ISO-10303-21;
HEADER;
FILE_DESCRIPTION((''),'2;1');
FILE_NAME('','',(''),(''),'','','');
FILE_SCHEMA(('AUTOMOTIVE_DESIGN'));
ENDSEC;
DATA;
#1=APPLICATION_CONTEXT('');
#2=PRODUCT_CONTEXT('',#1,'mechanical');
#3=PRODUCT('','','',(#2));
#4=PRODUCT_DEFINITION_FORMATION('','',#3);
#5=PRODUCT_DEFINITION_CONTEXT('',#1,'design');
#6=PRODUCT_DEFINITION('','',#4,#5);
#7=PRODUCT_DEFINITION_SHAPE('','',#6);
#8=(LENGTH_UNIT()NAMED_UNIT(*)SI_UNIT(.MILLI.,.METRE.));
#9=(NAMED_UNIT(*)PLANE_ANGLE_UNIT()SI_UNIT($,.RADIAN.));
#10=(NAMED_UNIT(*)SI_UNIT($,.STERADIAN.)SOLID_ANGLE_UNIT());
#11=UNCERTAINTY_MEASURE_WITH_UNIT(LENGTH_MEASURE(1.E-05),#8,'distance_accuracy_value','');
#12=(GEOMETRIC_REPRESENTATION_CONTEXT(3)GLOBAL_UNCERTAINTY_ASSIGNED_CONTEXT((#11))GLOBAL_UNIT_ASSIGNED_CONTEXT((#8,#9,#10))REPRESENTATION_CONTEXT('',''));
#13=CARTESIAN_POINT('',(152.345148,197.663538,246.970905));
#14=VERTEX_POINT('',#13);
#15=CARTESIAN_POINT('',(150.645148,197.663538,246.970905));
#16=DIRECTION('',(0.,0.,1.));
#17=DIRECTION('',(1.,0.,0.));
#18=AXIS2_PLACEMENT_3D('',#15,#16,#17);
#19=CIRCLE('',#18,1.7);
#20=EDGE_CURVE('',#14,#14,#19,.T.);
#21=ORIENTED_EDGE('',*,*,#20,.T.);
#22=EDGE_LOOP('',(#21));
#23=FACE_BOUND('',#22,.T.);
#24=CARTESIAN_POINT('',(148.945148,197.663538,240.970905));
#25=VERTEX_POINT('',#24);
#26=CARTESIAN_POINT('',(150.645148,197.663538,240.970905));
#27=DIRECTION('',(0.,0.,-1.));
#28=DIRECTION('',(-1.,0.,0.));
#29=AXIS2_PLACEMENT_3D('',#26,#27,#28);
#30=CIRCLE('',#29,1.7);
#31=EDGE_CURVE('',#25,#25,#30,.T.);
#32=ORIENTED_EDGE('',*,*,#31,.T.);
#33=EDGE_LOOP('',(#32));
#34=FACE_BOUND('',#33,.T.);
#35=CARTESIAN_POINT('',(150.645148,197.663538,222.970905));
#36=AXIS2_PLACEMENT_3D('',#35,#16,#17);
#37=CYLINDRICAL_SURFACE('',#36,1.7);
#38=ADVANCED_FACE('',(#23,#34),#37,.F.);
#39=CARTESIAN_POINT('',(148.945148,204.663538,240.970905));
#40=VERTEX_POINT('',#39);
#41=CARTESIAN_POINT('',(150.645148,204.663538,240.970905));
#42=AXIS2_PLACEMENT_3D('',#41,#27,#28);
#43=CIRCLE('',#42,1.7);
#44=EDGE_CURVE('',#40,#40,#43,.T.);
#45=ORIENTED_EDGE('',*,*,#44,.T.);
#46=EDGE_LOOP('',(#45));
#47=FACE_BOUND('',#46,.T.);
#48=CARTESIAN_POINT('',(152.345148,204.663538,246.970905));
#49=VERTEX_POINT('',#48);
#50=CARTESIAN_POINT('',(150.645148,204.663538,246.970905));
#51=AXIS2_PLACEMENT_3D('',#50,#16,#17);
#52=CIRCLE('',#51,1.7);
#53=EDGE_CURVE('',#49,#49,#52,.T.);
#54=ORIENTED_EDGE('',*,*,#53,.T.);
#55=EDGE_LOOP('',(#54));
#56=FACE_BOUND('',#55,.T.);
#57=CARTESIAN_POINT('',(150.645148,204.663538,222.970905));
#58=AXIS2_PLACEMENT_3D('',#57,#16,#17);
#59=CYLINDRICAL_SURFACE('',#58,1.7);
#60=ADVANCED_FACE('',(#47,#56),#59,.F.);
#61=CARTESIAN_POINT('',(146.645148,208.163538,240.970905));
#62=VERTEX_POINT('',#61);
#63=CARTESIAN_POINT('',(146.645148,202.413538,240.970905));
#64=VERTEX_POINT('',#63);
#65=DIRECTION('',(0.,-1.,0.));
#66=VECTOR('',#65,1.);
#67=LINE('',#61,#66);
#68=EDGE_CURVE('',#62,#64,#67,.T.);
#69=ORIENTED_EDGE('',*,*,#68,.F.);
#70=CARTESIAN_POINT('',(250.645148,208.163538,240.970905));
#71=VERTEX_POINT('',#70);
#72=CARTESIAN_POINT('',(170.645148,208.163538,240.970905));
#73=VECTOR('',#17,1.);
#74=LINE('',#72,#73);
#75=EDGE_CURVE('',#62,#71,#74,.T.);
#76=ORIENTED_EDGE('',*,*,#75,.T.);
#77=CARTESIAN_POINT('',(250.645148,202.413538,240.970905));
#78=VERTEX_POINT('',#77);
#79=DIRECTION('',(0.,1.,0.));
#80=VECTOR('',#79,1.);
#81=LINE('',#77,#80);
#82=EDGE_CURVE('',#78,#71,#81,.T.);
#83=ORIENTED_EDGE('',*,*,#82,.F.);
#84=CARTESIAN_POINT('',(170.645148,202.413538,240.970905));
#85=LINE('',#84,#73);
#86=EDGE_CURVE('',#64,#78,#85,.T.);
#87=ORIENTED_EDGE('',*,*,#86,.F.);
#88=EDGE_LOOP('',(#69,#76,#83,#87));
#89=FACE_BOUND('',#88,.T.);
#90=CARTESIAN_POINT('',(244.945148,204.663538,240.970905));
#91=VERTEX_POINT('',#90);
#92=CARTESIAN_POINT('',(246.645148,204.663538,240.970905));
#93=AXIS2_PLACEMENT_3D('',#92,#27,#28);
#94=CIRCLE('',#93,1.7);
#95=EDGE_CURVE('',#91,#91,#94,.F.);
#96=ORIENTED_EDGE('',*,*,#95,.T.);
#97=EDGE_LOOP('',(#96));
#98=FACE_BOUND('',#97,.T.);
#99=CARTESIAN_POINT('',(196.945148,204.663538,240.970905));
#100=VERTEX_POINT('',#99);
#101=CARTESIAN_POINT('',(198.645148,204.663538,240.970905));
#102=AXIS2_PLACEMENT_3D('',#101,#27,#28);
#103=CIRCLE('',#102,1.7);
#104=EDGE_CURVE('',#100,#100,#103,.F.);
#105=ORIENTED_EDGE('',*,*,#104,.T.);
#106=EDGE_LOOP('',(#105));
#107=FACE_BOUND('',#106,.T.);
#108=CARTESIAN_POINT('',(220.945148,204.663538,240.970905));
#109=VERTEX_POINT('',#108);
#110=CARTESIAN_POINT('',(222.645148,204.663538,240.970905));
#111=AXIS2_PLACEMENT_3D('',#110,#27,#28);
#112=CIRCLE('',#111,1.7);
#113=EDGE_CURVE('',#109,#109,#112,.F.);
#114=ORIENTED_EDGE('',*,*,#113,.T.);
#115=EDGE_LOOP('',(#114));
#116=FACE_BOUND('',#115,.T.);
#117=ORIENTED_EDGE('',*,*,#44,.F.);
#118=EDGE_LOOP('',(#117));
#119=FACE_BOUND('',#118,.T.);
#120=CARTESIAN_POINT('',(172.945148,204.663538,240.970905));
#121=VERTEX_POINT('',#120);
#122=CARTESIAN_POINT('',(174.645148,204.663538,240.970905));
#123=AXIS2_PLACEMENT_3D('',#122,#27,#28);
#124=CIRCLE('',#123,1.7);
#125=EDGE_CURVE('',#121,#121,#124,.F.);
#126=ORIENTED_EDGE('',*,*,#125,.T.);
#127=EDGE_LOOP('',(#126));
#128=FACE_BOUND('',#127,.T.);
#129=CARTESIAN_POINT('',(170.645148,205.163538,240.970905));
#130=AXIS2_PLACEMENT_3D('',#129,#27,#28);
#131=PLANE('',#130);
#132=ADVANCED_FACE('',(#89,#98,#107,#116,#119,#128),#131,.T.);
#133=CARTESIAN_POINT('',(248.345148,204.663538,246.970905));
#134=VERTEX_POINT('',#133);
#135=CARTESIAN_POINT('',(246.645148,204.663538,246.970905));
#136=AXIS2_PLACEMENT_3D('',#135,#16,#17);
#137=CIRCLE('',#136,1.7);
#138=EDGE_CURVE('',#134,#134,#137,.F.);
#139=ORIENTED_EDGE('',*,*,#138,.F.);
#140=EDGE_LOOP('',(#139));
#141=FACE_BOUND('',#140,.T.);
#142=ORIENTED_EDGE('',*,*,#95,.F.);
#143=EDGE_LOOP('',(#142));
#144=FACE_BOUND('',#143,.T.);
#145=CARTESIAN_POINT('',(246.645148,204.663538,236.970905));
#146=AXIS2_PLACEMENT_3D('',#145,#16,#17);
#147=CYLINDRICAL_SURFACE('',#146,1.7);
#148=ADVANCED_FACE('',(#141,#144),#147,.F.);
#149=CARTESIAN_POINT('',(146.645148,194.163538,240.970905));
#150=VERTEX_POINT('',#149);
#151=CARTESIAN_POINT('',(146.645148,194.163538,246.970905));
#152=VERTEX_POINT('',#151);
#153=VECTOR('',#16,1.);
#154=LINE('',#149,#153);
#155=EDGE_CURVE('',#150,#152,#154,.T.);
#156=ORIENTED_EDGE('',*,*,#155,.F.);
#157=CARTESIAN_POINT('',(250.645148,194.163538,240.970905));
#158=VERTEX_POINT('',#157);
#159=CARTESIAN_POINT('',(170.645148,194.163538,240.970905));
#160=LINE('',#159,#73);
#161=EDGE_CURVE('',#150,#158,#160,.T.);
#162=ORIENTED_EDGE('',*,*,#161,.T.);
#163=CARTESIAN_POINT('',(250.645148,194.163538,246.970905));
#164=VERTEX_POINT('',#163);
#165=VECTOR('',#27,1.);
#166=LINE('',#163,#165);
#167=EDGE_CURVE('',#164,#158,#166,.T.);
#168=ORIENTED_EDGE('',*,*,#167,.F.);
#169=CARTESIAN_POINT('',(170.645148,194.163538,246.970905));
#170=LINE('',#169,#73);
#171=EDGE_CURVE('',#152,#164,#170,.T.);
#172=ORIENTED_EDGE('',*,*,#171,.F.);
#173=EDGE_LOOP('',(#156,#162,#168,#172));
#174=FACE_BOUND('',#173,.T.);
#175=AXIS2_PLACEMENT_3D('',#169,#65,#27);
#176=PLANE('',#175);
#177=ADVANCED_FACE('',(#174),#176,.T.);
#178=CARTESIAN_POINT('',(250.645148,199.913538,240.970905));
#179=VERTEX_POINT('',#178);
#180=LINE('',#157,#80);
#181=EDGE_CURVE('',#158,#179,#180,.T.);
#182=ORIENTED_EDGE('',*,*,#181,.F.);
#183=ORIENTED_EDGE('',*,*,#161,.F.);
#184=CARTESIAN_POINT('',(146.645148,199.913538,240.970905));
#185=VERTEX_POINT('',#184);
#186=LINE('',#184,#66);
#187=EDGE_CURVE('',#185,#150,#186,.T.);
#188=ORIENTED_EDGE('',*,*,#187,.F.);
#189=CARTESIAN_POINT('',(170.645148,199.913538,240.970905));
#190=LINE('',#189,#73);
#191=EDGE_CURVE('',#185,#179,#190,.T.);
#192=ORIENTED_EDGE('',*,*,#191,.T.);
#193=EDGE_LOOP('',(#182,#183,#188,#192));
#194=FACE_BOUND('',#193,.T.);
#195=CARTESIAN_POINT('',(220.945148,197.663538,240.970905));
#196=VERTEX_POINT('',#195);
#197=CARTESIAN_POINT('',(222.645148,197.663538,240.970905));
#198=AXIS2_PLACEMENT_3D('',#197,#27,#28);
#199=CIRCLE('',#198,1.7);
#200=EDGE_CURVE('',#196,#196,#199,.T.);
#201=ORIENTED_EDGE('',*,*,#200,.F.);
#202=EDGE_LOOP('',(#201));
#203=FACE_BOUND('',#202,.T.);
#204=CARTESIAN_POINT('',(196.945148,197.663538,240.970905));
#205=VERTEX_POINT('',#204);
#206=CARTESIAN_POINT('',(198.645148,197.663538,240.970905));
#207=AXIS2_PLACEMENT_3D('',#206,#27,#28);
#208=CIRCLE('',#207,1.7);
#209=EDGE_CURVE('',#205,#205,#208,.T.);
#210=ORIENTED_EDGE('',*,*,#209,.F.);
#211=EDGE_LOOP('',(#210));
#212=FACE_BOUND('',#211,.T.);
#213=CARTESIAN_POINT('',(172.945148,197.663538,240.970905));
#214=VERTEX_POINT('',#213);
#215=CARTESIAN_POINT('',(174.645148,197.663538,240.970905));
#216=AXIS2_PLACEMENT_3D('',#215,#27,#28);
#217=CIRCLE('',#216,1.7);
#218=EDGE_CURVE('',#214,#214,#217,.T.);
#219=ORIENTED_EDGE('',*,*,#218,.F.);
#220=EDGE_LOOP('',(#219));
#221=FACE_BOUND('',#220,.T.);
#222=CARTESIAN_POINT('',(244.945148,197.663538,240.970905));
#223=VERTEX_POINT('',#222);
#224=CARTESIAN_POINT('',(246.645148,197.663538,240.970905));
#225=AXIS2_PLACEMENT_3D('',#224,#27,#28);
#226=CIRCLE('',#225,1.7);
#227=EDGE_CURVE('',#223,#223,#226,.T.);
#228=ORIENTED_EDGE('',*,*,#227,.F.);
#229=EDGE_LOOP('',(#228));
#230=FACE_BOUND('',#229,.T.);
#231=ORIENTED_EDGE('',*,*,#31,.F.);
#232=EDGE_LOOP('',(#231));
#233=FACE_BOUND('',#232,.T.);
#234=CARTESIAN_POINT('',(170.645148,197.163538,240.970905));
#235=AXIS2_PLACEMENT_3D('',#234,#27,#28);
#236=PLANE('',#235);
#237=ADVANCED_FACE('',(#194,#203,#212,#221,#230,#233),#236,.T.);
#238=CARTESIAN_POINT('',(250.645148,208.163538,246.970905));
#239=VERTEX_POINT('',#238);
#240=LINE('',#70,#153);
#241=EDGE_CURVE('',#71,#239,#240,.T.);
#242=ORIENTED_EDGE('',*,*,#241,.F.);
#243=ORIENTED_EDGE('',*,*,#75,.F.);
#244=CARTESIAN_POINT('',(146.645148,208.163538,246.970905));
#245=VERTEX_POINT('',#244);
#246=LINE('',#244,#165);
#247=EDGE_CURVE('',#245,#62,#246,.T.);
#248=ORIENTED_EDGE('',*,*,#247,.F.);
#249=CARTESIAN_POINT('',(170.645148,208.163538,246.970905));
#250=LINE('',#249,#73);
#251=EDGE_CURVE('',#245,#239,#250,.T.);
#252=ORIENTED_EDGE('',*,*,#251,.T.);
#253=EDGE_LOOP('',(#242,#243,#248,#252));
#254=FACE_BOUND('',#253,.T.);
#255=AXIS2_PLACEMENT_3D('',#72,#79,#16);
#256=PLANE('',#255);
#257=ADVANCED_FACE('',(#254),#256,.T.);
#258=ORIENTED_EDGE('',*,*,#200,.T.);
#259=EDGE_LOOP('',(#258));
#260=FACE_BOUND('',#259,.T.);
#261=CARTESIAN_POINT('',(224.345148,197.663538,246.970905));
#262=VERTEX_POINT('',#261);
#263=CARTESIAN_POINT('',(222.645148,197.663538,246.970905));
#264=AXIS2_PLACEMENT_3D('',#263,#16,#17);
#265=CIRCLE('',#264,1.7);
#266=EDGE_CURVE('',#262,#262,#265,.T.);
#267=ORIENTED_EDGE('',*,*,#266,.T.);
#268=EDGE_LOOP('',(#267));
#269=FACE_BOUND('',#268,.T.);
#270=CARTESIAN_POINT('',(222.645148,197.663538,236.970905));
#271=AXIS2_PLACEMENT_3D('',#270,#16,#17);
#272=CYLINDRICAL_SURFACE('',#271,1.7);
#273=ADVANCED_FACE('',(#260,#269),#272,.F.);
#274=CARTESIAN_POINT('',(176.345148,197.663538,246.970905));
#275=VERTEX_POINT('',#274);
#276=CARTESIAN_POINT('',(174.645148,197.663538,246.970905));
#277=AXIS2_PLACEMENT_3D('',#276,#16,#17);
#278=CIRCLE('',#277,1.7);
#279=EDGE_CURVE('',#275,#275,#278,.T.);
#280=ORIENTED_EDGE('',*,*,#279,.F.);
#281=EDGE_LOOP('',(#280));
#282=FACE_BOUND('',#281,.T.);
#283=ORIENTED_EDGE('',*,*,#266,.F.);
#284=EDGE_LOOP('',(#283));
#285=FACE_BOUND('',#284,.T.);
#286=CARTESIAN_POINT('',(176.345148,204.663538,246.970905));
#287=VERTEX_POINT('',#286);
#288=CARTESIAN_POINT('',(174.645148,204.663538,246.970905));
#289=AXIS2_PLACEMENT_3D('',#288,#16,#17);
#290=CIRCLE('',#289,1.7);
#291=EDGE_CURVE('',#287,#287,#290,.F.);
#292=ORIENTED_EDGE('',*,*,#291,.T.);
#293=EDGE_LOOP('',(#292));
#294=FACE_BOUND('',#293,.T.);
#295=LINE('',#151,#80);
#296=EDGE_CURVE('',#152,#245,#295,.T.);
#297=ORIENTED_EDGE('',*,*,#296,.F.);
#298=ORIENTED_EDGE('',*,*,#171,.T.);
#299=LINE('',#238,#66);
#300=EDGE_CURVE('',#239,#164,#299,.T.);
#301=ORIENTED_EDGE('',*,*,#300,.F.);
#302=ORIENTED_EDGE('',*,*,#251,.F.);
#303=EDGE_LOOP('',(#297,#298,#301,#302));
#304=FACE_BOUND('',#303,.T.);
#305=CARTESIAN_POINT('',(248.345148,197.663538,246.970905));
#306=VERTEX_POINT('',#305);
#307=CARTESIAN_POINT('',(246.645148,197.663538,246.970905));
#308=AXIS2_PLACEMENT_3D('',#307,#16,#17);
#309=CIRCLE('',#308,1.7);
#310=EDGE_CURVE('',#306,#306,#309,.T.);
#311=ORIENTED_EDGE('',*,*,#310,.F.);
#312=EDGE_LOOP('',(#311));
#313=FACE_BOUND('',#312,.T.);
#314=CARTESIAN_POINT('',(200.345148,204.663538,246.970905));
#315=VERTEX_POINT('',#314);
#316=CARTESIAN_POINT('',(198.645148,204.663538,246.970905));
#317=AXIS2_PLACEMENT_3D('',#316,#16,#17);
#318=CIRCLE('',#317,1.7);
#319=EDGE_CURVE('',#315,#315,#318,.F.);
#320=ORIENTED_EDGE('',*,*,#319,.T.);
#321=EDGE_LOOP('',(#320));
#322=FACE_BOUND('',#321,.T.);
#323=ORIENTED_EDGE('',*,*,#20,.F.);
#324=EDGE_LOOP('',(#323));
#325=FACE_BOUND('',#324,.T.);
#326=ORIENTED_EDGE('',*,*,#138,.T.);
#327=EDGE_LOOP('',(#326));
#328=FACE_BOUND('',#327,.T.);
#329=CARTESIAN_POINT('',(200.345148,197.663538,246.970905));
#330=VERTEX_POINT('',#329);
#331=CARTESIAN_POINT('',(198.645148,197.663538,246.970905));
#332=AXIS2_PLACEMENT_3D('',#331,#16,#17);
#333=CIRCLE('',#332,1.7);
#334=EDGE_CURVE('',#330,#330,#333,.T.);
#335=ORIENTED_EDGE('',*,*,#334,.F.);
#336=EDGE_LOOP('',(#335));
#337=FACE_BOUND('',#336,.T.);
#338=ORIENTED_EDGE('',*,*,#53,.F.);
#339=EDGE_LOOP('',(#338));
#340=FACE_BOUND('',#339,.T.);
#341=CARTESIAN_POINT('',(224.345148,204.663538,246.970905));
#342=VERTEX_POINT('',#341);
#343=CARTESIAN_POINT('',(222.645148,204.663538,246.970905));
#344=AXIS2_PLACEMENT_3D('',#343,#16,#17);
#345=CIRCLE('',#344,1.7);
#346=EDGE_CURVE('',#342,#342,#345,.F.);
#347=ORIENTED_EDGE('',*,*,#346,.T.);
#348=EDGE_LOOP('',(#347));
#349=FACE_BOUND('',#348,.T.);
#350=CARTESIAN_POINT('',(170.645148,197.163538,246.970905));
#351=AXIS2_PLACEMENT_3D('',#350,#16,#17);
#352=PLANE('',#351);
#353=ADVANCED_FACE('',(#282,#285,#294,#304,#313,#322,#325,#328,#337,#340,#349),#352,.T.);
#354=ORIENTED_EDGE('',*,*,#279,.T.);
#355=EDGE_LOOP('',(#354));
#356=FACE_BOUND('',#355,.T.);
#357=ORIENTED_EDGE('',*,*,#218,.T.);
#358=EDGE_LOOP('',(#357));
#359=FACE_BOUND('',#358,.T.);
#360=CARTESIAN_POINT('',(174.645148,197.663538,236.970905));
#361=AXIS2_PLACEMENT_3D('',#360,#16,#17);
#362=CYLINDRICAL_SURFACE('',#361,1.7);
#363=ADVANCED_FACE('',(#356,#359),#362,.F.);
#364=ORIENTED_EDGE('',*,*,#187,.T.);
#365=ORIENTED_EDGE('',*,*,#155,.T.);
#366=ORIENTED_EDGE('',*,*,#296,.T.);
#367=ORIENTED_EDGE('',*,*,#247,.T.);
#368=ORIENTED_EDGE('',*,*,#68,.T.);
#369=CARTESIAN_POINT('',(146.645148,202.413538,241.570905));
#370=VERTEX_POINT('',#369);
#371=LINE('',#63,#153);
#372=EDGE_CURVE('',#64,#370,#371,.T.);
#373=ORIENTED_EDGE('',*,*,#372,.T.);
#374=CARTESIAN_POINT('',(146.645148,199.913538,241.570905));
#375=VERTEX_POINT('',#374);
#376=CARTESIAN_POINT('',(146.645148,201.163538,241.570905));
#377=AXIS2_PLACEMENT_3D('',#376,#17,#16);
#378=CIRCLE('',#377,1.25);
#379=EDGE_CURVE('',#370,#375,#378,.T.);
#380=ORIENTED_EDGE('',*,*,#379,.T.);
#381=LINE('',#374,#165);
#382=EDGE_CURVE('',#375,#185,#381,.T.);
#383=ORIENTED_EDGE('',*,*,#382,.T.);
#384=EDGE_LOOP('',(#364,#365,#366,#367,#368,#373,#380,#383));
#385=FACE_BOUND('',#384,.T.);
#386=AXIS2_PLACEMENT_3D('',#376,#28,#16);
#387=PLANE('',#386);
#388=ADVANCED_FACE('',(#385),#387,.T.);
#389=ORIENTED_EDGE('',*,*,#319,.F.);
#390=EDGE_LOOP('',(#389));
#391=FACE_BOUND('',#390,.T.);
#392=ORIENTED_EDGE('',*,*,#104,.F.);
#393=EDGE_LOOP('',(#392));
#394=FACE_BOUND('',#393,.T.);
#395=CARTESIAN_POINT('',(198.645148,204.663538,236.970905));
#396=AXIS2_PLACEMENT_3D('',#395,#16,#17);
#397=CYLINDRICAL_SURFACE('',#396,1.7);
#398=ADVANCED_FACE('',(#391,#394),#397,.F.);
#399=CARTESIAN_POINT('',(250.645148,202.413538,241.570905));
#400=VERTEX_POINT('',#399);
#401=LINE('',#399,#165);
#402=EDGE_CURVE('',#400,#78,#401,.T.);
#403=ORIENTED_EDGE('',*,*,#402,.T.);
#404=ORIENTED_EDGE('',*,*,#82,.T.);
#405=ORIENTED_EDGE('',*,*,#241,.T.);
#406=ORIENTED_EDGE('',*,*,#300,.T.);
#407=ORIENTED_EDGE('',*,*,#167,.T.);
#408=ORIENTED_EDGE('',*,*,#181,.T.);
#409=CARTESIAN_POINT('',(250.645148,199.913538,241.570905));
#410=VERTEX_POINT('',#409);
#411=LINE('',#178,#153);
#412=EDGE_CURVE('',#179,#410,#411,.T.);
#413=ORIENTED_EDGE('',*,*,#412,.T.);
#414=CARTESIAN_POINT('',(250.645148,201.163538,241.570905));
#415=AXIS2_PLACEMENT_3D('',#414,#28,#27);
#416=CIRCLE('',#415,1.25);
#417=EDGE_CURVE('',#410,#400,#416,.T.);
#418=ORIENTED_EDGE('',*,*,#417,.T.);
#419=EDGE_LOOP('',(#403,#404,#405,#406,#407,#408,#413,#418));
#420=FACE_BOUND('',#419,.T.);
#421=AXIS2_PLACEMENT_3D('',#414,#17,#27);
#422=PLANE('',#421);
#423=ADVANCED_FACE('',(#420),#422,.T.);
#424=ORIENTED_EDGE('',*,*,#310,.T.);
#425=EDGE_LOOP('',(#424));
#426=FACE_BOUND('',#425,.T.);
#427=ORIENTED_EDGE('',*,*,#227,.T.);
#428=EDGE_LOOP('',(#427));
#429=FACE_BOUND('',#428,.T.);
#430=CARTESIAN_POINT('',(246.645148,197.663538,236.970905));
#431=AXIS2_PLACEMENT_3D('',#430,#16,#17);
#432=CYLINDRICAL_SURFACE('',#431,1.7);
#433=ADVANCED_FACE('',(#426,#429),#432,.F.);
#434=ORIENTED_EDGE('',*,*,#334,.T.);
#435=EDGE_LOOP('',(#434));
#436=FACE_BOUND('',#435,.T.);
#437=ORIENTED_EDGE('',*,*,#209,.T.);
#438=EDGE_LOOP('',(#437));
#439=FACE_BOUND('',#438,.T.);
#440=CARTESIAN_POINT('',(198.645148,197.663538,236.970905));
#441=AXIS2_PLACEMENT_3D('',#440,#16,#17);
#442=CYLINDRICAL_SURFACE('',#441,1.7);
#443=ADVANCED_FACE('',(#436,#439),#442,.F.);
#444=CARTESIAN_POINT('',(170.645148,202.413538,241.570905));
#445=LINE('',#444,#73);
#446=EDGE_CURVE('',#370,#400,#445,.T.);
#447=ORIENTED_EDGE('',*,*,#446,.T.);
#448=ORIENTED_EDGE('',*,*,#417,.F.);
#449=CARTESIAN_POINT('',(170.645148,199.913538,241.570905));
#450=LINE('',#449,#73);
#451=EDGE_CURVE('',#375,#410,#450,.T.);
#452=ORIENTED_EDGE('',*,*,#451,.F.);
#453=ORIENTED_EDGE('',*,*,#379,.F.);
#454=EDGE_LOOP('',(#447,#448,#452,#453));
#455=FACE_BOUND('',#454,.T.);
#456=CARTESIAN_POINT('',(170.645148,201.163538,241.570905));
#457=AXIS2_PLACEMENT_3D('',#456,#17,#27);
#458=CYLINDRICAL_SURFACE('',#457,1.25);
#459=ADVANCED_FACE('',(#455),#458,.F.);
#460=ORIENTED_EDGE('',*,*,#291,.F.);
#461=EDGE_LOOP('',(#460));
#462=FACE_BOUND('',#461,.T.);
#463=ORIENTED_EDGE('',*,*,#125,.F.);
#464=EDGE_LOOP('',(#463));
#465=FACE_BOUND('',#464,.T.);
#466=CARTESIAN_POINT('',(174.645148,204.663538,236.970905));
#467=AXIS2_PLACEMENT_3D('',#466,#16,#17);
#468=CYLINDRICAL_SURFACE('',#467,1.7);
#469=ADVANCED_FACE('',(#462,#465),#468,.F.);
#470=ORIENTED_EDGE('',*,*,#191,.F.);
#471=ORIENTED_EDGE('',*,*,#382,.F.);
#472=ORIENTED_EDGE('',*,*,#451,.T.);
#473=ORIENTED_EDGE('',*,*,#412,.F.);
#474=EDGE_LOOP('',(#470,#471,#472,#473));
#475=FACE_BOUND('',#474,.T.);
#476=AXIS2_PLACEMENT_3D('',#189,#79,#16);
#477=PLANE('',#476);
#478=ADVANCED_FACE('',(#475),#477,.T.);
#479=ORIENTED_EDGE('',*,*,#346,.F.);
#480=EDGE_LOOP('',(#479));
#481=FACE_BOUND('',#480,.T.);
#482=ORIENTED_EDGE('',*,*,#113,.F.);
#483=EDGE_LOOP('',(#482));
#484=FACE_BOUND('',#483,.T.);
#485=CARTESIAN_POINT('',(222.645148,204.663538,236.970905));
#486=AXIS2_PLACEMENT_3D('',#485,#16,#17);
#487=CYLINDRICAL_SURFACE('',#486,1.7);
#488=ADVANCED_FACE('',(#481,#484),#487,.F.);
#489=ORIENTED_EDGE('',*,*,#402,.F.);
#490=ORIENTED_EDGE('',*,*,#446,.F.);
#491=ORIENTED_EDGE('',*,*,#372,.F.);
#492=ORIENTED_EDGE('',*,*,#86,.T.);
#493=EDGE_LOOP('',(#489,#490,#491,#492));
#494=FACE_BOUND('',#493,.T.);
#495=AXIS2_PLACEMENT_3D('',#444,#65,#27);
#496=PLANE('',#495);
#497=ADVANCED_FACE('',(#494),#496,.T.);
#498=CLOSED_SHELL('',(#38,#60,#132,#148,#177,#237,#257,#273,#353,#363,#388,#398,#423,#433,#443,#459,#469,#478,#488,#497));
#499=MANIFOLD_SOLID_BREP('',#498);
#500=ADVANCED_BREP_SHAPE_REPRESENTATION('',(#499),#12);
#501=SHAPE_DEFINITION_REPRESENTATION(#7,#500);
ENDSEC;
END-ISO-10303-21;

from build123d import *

# Parameters (mm, degrees)
BOSS_EXTRUDE1_DEPTH      = 60
BOSS_EXTRUDE1_DEPTH_BACK = 20
SKETCH2_R                = 1.7
CUT_EXTRUDE1_DEPTH       = 10
BOSS_EXTRUDE2_START      = 24
BOSS_EXTRUDE2_DEPTH      = 24
SKETCH4_R                = 1.7
CUT_EXTRUDE2_DEPTH       = 24


with BuildPart() as part:
    # Sketch1 → Boss-Extrude1 (new, two sides: drawn at the far end of the back side and taken through both)
    with BuildSketch(Plane(origin=(190.645148, 0, 0), x_dir=(0, 0, -1), z_dir=(1, 0, 0)).offset(-BOSS_EXTRUDE1_DEPTH_BACK)):
        with BuildLine():
            Line((-246.970904961, 208.163538159), (-246.970904961, 205.163538159))
            Line((-246.970904961, 205.163538159), (-246.970904961, 197.163538159))
            Line((-246.970904961, 197.163538159), (-246.970904961, 194.163538159))
            Line((-246.970904961, 194.163538159), (-240.970904961, 194.163538159))
            Line((-240.970904961, 194.163538159), (-240.970904961, 197.163538159))
            Line((-240.970904961, 197.163538159), (-240.970904961, 199.913538158))
            Line((-240.970904961, 199.913538158), (-241.570904961, 199.913538158))
            ThreePointArc((-241.570904961, 199.913538158), (-242.820904961, 201.163538162), (-241.570904955, 202.413538158))
            Line((-241.570904955, 202.413538158), (-240.970904961, 202.413538158))
            Line((-240.970904961, 202.413538158), (-240.970904961, 205.163538159))
            Line((-240.970904961, 205.163538159), (-240.970904961, 208.163538159))
            Line((-240.970904961, 208.163538159), (-246.970904961, 208.163538159))
        make_face()
    extrude(amount=BOSS_EXTRUDE1_DEPTH + BOSS_EXTRUDE1_DEPTH_BACK)

    # Sketch2 → Cut-Extrude1 (cut)
    with BuildSketch(Plane.XY.offset(246.970904961)):
        with Locations((246.645148, 197.663538159)):
            Circle(SKETCH2_R)
        with Locations((198.645148, 197.663538159)):
            Circle(SKETCH2_R)
        with Locations((174.645148, 197.663538159)):
            Circle(SKETCH2_R)
        with Locations((222.645148, 197.663538159)):
            Circle(SKETCH2_R)
        with Locations((174.645148, 204.663538159)):
            Circle(SKETCH2_R)
        with Locations((198.645148, 204.663538159)):
            Circle(SKETCH2_R)
        with Locations((222.645148, 204.663538159)):
            Circle(SKETCH2_R)
        with Locations((246.645148, 204.663538159)):
            Circle(SKETCH2_R)
    extrude(amount=-CUT_EXTRUDE1_DEPTH, mode=Mode.SUBTRACT)

    # Sketch3 → Boss-Extrude2 (add)
    with BuildSketch(Plane.ZY.offset(-170.645148).offset(BOSS_EXTRUDE2_START)):
        with BuildLine():
            Line((246.970904961, 208.163538159), (240.970904961, 208.163538159))
            Line((240.970904961, 208.163538159), (240.970904961, 202.413538158))
            Line((240.970904961, 202.413538158), (241.570904955, 202.413538158))
            ThreePointArc((241.570904955, 202.413538158), (242.820904961, 201.163538162), (241.570904961, 199.913538158))
            Line((241.570904961, 199.913538158), (240.970904961, 199.913538158))
            Line((240.970904961, 199.913538158), (240.970904961, 194.163538159))
            Line((240.970904961, 194.163538159), (246.970904961, 194.163538159))
            Line((246.970904961, 194.163538159), (246.970904961, 208.163538159))
        make_face()
    extrude(amount=-BOSS_EXTRUDE2_DEPTH)

    # Sketch4 → Cut-Extrude2 (cut)
    with BuildSketch(Plane.XY.offset(246.970904961)):
        with Locations((150.645148, 197.663538159)):
            Circle(SKETCH4_R)
        with Locations((150.645148, 204.663538159)):
            Circle(SKETCH4_R)
    extrude(amount=-CUT_EXTRUDE2_DEPTH, mode=Mode.SUBTRACT)


solid = part.part
